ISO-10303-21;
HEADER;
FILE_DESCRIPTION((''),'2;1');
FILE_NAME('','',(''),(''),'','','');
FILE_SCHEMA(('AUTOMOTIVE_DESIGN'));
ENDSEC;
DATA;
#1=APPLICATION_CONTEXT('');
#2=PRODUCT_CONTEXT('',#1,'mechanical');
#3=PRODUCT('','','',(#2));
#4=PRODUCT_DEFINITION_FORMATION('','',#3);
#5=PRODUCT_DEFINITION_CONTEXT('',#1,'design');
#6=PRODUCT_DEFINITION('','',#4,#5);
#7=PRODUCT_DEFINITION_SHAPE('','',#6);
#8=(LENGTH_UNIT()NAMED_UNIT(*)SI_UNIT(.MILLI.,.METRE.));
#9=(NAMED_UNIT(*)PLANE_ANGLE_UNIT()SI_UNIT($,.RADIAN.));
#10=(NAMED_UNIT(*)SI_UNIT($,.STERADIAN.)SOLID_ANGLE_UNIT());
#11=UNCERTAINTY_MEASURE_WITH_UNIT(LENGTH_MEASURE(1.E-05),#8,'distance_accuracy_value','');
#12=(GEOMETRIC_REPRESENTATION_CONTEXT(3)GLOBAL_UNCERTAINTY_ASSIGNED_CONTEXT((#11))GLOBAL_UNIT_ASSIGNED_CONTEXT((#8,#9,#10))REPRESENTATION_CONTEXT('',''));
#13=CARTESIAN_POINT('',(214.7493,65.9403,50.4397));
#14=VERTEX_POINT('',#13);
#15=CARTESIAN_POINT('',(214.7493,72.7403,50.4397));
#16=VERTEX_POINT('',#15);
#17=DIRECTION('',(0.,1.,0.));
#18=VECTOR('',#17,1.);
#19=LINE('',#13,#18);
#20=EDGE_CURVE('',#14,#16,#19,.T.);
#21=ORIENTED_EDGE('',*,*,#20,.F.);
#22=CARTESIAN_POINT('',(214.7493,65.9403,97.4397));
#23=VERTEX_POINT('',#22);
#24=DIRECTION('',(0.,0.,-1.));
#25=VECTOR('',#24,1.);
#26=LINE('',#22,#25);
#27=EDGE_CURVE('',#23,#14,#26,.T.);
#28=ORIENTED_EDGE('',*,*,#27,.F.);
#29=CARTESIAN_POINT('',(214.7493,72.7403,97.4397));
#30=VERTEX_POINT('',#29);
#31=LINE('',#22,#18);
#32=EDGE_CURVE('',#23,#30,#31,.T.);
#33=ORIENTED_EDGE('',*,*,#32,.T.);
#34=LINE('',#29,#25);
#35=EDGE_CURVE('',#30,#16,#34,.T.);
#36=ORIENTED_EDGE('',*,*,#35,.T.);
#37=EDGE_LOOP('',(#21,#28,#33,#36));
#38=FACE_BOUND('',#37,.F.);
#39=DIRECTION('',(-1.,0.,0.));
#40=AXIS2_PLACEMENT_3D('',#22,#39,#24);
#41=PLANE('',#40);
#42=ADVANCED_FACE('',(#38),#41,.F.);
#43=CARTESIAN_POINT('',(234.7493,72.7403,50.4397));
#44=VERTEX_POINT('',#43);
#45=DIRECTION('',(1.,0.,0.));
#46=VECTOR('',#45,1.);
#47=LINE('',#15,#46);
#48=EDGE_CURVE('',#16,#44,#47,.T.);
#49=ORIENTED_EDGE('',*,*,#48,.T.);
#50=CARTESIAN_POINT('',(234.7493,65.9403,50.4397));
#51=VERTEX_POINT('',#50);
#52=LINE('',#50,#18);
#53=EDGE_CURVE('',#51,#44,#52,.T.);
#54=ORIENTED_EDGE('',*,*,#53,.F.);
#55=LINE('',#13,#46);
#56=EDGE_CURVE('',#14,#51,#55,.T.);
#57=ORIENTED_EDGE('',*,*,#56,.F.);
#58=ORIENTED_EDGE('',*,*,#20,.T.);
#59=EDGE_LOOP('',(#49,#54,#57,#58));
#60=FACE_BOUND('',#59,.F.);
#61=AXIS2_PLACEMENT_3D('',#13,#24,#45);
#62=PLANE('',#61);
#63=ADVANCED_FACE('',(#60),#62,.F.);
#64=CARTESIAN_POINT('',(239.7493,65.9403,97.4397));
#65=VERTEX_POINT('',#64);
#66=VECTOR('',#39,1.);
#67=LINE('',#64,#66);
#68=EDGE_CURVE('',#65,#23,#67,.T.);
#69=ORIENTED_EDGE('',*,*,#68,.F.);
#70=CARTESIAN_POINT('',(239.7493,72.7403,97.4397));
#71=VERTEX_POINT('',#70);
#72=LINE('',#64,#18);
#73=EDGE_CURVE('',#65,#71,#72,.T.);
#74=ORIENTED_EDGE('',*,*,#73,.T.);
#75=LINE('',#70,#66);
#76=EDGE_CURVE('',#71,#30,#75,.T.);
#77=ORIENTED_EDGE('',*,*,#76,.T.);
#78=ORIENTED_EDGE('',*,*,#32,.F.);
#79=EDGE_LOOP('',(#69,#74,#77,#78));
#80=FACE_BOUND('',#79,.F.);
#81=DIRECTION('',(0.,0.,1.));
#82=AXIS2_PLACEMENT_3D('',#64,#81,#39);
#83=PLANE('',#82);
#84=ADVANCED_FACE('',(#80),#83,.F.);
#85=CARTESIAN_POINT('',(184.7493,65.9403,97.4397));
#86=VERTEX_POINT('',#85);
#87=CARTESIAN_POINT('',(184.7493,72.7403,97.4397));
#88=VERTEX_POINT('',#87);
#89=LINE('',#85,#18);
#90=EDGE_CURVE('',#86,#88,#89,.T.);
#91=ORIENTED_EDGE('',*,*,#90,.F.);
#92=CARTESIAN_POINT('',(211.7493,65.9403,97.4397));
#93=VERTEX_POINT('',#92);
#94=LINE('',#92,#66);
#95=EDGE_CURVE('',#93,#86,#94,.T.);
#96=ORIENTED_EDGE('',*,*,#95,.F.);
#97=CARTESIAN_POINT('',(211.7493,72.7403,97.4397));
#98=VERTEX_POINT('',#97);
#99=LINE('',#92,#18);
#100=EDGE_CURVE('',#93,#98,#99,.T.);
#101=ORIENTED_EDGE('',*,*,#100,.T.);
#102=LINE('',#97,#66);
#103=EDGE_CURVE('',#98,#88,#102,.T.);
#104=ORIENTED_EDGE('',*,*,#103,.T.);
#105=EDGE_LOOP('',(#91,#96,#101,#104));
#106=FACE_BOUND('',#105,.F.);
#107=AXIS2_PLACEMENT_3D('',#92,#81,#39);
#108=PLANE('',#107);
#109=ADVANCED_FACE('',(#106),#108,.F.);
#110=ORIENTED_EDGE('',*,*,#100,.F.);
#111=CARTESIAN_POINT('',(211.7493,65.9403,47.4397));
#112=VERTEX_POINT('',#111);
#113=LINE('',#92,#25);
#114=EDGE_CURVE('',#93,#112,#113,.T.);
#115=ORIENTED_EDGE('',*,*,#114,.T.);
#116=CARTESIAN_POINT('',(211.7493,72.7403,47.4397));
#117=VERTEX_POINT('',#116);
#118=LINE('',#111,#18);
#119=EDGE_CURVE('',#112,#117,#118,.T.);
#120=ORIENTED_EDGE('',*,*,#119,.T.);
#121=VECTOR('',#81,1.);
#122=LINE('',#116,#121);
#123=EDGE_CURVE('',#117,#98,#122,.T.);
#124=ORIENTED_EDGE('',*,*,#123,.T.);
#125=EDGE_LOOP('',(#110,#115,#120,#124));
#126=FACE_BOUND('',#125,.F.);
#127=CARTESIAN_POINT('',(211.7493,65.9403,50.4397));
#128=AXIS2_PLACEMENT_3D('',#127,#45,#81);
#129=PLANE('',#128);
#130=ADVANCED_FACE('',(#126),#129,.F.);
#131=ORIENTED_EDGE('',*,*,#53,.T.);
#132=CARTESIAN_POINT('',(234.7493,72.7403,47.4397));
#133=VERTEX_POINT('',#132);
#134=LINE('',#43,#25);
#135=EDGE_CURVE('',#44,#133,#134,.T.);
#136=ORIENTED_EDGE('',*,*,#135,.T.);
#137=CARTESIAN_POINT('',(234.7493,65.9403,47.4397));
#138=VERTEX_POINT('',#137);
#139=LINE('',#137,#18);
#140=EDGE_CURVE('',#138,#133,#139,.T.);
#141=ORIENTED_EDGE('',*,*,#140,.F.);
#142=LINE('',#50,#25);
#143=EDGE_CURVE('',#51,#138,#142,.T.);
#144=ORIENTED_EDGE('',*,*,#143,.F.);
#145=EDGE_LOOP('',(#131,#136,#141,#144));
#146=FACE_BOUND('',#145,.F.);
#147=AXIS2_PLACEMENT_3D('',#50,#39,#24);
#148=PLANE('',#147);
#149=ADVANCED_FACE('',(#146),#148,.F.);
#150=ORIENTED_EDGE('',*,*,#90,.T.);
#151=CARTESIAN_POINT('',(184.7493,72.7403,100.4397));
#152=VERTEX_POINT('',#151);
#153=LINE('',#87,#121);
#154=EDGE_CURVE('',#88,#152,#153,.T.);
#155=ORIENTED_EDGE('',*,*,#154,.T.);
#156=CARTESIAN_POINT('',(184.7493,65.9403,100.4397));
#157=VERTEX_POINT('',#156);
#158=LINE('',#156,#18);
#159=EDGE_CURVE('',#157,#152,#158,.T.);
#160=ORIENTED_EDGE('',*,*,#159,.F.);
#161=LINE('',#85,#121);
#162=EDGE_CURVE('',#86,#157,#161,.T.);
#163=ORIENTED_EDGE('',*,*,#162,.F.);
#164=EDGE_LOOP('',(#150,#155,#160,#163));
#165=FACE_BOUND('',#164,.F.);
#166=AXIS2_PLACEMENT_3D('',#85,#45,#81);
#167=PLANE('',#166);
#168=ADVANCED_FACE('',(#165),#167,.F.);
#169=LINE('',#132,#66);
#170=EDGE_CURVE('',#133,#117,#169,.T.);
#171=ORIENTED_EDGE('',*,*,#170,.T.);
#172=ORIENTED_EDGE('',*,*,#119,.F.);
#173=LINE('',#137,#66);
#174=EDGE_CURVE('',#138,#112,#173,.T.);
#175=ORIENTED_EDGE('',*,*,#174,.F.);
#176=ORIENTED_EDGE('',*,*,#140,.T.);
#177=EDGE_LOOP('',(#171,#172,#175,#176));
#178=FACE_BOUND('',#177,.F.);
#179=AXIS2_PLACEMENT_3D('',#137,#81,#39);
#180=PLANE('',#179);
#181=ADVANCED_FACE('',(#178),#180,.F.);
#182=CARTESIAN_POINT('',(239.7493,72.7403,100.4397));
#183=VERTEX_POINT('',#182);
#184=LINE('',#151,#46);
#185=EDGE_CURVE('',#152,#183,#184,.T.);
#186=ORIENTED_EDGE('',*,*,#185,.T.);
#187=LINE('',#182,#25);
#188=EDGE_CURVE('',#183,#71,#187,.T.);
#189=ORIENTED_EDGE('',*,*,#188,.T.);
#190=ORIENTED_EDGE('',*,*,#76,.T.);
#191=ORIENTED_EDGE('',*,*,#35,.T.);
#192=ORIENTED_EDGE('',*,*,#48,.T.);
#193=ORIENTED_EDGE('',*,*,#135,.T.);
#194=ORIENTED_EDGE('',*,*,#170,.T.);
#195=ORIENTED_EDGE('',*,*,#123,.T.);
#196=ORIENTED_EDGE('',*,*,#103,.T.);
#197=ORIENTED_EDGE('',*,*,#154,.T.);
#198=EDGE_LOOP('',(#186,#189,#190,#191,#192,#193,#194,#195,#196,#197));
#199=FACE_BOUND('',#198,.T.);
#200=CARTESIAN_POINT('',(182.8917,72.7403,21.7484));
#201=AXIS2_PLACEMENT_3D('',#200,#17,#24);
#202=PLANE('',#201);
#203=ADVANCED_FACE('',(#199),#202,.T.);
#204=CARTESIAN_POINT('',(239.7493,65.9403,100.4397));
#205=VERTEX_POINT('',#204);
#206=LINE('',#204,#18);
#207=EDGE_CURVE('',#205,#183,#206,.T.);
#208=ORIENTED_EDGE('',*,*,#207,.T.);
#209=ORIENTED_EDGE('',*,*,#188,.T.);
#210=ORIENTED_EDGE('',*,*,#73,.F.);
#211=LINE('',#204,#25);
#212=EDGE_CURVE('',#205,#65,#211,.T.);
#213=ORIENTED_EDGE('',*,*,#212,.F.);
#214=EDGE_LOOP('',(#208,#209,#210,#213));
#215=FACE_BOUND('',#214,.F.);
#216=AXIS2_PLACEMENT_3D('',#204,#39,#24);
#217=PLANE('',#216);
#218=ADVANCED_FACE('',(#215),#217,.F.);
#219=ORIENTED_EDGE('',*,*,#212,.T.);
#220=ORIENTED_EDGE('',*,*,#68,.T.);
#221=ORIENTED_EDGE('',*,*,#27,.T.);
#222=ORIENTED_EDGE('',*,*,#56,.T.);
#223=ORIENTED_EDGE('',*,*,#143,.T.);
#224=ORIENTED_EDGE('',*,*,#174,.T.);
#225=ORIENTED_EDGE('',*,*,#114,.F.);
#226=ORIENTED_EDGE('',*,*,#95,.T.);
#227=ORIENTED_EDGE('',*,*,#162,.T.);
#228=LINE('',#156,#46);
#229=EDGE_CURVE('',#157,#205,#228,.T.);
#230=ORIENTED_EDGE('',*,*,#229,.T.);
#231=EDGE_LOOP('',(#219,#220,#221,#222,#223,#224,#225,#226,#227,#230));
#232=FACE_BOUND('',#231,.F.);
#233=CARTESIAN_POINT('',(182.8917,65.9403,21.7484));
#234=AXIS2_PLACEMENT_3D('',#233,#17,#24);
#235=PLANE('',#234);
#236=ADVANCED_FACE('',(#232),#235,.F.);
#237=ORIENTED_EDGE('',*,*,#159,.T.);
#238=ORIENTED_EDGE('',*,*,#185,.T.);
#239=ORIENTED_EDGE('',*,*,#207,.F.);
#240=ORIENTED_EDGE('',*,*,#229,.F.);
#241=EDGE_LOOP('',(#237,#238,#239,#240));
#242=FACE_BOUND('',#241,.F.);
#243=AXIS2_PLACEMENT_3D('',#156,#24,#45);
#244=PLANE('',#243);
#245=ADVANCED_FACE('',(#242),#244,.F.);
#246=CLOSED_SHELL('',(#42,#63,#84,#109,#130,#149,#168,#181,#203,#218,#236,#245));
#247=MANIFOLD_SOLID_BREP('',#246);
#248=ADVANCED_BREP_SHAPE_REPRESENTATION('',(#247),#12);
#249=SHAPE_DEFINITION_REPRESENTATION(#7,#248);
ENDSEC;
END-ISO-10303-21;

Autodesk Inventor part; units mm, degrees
ref_plane "YZ Plane" through (0, 0, 0) normal (1, 0, 0) x (0, 1, 0)
ref_plane "XZ Plane" through (0, 0, 0) normal (0, 1, 0) x (-1, 0, 0)
ref_plane "XY Plane" through (0, 0, 0) normal (0, 0, 1) x (1, 0, 0)
ref_plane "Work Plane1" through (182.8917, 65.9403, 21.7484) normal (0, 1, 0) x (0, 0, -1)
sketch "Sketch1" plane through (182.8917, 65.9403, 21.7484) normal (0, 1, 0) x (0, 0, -1)
  line L0 (-78.6913, -1.8576) -> (-78.6913, -56.8576)
  line L1 (-78.6913, -56.8576) -> (-75.6913, -56.8576)
  line L2 (-75.6913, -56.8576) -> (-75.6913, -31.8576)
  line L3 (-75.6913, -31.8576) -> (-28.6913, -31.8576)
  line L4 (-28.6913, -31.8576) -> (-28.6913, -28.8576)
  line L5 (-28.6913, -31.8576) -> (-28.6913, -51.8576)
  line L6 (-28.6913, -51.8576) -> (-25.6913, -51.8576)
  line L7 (-25.6913, -51.8576) -> (-25.6913, -28.8576)
  line L8 (-25.6913, -28.8576) -> (-75.6913, -28.8576)
  line L9 (-75.6913, -28.8576) -> (-75.6913, -1.8576)
  line L10 (-75.6913, -1.8576) -> (-78.6913, -1.8576)
  point P0 (21.7484, 182.8917)
  dimension "d0" = 55
  dimension "d1" = 3
  dimension "d2" = 25
  dimension "d3" = 47
  dimension "d4" = 3
  dimension "d5" = 3
  dimension "d6" = 23
extrude "Extrusion1" add sketch "Sketch1" along normal blind 6.8
properties part number "battery_holder_3DPrint"
